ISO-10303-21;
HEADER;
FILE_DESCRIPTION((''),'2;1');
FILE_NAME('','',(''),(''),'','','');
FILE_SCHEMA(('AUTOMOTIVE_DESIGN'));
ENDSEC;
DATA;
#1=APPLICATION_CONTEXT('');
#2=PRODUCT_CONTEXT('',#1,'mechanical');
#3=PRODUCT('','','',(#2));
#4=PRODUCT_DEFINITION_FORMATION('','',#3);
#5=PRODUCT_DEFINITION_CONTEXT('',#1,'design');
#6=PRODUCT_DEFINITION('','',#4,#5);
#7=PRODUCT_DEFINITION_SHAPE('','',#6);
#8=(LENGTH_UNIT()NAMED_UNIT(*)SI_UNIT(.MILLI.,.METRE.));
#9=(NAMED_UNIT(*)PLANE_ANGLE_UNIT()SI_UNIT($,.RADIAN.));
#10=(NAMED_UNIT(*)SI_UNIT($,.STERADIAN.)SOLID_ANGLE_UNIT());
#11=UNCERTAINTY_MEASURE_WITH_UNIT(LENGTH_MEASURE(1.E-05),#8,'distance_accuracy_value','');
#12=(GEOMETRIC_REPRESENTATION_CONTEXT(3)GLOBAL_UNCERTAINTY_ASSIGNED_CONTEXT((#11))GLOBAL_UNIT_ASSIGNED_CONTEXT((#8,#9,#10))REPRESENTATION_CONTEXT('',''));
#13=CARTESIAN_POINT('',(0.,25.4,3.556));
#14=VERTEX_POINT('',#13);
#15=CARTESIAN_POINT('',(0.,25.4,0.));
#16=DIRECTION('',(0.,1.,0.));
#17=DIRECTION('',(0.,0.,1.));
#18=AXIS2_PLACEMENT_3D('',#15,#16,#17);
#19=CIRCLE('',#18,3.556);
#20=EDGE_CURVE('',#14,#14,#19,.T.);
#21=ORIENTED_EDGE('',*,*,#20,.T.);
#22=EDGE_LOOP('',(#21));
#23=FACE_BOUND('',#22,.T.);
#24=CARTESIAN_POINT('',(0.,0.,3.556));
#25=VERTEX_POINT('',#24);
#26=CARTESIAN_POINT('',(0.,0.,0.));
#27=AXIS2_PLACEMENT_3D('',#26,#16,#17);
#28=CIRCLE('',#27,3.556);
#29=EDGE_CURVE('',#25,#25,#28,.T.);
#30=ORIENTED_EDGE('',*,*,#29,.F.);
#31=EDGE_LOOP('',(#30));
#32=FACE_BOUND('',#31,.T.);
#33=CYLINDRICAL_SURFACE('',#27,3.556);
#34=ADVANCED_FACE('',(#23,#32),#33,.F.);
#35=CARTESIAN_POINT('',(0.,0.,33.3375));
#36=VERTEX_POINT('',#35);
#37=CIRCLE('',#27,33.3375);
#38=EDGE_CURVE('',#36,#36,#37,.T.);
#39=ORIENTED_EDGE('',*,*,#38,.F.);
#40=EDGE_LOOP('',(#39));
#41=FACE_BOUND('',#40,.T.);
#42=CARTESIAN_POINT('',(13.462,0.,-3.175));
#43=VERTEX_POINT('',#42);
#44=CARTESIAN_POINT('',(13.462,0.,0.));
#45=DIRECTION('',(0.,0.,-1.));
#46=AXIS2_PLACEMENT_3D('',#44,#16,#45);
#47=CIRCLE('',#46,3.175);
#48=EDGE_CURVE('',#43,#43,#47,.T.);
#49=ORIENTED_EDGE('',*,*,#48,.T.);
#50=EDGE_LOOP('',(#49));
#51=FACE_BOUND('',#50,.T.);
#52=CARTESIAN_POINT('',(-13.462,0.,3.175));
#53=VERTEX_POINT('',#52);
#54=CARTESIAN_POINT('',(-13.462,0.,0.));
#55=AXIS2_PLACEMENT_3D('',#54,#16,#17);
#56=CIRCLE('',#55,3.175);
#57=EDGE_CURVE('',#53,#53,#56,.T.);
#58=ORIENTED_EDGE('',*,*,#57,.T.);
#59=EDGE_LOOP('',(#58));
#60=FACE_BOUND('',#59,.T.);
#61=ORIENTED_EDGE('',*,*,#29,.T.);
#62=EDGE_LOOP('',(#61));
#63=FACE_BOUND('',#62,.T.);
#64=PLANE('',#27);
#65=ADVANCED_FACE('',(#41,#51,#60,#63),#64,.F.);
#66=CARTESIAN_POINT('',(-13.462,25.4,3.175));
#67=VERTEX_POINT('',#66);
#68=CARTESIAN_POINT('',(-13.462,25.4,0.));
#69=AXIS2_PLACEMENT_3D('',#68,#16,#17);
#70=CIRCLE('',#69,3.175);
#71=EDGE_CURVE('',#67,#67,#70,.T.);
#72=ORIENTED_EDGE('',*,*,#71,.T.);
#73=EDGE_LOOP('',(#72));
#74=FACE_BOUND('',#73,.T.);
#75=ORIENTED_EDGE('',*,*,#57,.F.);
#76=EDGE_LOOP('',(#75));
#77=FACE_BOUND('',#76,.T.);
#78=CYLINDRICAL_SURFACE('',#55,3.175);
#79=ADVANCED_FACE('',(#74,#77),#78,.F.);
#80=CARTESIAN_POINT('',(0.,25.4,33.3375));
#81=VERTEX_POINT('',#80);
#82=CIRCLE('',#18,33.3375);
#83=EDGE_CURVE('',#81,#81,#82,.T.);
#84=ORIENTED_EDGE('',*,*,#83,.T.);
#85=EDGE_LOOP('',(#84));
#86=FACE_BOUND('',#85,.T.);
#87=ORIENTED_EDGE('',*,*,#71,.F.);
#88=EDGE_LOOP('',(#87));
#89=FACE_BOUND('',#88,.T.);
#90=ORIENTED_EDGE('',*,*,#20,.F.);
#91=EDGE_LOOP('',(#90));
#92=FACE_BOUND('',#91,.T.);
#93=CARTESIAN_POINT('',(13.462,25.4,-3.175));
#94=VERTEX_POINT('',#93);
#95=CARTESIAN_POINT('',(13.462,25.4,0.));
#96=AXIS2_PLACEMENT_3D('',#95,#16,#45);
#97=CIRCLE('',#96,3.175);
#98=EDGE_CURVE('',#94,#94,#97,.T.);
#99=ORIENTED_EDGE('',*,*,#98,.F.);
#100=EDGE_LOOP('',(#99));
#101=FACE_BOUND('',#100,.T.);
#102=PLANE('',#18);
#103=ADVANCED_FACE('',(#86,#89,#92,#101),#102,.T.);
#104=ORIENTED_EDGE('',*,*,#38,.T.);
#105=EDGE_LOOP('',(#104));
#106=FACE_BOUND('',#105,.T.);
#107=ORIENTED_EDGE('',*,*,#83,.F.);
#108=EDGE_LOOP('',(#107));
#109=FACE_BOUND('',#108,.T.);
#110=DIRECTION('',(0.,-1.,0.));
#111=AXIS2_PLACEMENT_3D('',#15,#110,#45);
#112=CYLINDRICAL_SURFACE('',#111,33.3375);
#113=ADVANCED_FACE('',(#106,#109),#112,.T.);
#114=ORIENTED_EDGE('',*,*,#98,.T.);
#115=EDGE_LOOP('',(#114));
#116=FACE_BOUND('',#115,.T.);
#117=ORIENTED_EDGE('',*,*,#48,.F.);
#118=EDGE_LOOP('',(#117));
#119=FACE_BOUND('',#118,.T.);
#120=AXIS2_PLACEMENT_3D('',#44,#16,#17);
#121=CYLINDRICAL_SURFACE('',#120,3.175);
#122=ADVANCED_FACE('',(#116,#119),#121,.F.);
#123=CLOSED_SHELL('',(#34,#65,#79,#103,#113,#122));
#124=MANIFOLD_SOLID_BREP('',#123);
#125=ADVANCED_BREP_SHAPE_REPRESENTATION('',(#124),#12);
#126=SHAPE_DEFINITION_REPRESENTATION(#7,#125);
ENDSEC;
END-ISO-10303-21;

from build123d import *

# Parameters (mm, degrees)
SKETCH1_R           = 33.3375
BOSS_EXTRUDE1_DEPTH = 25.4
SKETCH2_R           = 3.556
CUT_EXTRUDE1_DEPTH  = 54.553130744
SKETCH3_R           = 3.175
CUT_EXTRUDE2_DEPTH  = 54.553130744


with BuildPart() as part:
    # Sketch1 → Boss-Extrude1 (new body)
    with BuildSketch(Plane(origin=(0, 0, 0), x_dir=(1, 0, 0), z_dir=(0, 1, 0))):
        with Locations(Location((0, 0, 0), (0, 0, 270))):
            Circle(SKETCH1_R)
    extrude(amount=BOSS_EXTRUDE1_DEPTH)

    # Sketch2 → Cut-Extrude1 (cut, through all)
    with BuildSketch(Plane(origin=(0, 25.4, 0), x_dir=(1, 0, 0), z_dir=(0, 1, 0))):
        with Locations(Location((0, 0, 0), (0, 0, 270))):
            Circle(SKETCH2_R)
    extrude(amount=-CUT_EXTRUDE1_DEPTH, mode=Mode.SUBTRACT)

    # Sketch3 → Cut-Extrude2 (cut, through all)
    with BuildSketch(Plane(origin=(0, 25.4, 0), x_dir=(-1, 0, 0), z_dir=(0, 1, 0))):
        with Locations(Location((13.462, 0, 0), (0, 0, 90))):
            Circle(SKETCH3_R)
        with Locations(Location((-13.462, 0, 0), (0, 0, 270))):
            Circle(SKETCH3_R)
    extrude(amount=-CUT_EXTRUDE2_DEPTH, mode=Mode.SUBTRACT)


solid = part.part
